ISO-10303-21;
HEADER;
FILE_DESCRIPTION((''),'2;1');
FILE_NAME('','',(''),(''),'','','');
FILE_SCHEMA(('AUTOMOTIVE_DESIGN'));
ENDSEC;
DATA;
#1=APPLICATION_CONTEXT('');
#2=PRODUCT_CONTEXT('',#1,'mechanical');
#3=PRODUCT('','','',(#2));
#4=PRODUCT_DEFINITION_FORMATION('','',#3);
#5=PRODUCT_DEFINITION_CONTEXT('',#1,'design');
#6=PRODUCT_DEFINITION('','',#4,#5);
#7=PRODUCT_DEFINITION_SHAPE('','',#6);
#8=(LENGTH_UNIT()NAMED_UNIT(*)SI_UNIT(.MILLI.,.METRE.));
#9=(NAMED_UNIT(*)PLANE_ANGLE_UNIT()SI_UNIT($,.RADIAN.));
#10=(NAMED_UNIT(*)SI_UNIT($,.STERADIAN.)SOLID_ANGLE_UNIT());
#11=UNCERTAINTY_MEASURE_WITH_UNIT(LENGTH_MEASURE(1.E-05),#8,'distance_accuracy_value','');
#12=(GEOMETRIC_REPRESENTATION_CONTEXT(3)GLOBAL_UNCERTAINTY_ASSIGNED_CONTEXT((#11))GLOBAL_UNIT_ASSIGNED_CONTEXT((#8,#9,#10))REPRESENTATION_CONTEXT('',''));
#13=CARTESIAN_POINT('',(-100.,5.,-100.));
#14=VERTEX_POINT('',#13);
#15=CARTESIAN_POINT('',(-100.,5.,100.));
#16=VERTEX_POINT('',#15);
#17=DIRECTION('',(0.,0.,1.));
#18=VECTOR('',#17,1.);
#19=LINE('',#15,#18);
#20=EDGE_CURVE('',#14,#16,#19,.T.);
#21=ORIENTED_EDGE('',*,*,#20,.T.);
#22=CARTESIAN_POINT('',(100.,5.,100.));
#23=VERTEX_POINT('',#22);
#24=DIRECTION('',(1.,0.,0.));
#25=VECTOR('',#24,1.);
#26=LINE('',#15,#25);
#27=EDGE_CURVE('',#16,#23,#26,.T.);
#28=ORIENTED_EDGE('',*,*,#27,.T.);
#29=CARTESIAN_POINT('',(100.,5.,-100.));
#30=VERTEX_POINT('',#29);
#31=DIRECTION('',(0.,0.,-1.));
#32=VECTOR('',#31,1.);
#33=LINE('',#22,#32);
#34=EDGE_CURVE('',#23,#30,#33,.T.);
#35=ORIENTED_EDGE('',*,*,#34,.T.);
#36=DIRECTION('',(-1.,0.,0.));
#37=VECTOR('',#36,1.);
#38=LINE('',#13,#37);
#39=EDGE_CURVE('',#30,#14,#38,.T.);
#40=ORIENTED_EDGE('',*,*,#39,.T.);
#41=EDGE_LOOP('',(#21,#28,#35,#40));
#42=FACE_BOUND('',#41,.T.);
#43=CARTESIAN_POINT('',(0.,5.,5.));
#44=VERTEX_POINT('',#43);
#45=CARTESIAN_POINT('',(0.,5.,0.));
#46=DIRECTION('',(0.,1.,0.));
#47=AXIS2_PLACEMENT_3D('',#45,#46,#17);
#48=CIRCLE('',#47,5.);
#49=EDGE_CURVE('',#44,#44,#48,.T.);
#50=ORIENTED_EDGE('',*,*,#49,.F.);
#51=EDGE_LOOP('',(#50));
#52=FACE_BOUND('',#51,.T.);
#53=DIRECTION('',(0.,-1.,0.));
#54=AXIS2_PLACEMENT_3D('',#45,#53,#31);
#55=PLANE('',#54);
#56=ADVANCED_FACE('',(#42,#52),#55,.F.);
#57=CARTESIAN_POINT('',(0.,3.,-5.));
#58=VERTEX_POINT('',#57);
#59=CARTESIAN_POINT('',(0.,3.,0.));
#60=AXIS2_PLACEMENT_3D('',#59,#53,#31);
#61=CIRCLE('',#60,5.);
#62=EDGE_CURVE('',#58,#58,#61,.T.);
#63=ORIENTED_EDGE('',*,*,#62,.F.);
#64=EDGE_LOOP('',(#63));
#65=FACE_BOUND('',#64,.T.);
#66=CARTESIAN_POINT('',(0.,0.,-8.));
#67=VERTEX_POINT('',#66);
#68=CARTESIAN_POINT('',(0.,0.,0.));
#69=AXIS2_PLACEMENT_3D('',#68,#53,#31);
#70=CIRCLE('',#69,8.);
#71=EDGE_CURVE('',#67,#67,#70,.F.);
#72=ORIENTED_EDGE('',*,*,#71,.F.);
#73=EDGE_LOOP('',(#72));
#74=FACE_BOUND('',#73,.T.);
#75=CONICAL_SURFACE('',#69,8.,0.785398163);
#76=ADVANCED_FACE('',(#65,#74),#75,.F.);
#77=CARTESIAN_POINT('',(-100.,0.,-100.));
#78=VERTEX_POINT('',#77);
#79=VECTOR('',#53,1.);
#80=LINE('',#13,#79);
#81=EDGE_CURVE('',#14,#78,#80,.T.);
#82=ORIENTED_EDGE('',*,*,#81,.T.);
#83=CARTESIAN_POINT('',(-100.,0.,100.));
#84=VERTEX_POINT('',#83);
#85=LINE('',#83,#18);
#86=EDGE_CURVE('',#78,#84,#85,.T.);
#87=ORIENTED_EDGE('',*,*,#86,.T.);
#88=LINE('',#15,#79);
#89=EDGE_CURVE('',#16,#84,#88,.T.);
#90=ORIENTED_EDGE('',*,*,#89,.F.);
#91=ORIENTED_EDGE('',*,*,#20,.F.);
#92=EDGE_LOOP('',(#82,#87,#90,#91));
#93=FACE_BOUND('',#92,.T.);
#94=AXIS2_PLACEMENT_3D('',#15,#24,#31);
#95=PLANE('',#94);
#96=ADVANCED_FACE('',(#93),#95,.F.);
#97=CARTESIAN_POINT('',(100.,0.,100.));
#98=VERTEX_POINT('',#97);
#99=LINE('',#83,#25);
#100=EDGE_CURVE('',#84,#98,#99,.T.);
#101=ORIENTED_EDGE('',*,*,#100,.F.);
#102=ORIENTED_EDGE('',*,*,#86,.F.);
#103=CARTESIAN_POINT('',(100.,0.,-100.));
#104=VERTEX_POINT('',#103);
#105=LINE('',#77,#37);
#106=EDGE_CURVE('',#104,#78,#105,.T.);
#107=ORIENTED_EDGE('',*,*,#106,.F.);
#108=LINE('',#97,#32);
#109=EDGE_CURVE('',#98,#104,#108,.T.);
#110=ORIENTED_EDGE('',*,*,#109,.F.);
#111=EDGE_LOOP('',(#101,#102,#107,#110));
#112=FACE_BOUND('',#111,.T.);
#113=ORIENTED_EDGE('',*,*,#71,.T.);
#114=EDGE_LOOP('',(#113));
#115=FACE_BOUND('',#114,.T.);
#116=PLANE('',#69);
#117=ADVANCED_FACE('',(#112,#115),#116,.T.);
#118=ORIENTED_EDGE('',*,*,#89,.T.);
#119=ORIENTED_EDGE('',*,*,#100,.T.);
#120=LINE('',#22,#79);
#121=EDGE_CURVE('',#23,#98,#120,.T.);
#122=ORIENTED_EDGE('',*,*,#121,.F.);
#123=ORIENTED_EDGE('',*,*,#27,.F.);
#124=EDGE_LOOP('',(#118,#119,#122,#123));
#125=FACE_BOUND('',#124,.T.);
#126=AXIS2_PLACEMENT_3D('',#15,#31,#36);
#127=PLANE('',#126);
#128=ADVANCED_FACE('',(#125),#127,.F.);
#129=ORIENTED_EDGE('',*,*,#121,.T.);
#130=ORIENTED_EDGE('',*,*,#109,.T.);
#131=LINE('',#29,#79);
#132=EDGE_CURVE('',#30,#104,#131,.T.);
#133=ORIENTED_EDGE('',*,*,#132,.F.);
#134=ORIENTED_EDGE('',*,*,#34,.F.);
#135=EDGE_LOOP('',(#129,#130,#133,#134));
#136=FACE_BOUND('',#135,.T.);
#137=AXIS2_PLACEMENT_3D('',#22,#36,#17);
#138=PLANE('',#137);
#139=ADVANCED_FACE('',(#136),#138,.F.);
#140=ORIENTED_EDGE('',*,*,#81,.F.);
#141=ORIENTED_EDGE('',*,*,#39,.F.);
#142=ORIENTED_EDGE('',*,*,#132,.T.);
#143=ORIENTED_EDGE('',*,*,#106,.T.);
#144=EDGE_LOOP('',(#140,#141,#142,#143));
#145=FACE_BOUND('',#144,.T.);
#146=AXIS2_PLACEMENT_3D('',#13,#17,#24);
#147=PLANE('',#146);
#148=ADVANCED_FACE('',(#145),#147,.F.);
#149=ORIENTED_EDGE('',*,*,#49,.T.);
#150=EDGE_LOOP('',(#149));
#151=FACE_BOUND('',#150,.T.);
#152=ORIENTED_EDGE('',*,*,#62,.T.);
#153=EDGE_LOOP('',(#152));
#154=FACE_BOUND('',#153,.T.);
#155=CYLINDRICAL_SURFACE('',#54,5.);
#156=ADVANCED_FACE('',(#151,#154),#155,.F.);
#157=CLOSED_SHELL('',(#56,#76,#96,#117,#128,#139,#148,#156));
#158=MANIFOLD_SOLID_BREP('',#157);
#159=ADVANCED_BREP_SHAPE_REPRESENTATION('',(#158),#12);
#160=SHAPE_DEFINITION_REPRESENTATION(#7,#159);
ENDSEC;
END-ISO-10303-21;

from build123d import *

# Parameters (mm, degrees)
SKETCH_1_W      = 200
SKETCH_1_H      = 200
SKETCH_1_R      = 5
EXTRUDE_1_DEPTH = 5
CHAMFER_1_SIZE  = 3


with BuildPart() as part:
    # Эскиз1 → Бобышка-Вытянуть1 (new body)
    with BuildSketch(Plane(origin=(0, 0, 0), x_dir=(1, 0, 0), z_dir=(0, 1, 0))):
        Rectangle(SKETCH_1_W, SKETCH_1_H)
        Circle(SKETCH_1_R, mode=Mode.SUBTRACT)
    extrude(amount=EXTRUDE_1_DEPTH)

    # Фаска1
    chamfer_1_edges = [part.edges().sort_by_distance(p)[0] for p in [
        (-5, 0, 0),
    ]]
    chamfer(chamfer_1_edges, length=CHAMFER_1_SIZE)


solid = part.part
